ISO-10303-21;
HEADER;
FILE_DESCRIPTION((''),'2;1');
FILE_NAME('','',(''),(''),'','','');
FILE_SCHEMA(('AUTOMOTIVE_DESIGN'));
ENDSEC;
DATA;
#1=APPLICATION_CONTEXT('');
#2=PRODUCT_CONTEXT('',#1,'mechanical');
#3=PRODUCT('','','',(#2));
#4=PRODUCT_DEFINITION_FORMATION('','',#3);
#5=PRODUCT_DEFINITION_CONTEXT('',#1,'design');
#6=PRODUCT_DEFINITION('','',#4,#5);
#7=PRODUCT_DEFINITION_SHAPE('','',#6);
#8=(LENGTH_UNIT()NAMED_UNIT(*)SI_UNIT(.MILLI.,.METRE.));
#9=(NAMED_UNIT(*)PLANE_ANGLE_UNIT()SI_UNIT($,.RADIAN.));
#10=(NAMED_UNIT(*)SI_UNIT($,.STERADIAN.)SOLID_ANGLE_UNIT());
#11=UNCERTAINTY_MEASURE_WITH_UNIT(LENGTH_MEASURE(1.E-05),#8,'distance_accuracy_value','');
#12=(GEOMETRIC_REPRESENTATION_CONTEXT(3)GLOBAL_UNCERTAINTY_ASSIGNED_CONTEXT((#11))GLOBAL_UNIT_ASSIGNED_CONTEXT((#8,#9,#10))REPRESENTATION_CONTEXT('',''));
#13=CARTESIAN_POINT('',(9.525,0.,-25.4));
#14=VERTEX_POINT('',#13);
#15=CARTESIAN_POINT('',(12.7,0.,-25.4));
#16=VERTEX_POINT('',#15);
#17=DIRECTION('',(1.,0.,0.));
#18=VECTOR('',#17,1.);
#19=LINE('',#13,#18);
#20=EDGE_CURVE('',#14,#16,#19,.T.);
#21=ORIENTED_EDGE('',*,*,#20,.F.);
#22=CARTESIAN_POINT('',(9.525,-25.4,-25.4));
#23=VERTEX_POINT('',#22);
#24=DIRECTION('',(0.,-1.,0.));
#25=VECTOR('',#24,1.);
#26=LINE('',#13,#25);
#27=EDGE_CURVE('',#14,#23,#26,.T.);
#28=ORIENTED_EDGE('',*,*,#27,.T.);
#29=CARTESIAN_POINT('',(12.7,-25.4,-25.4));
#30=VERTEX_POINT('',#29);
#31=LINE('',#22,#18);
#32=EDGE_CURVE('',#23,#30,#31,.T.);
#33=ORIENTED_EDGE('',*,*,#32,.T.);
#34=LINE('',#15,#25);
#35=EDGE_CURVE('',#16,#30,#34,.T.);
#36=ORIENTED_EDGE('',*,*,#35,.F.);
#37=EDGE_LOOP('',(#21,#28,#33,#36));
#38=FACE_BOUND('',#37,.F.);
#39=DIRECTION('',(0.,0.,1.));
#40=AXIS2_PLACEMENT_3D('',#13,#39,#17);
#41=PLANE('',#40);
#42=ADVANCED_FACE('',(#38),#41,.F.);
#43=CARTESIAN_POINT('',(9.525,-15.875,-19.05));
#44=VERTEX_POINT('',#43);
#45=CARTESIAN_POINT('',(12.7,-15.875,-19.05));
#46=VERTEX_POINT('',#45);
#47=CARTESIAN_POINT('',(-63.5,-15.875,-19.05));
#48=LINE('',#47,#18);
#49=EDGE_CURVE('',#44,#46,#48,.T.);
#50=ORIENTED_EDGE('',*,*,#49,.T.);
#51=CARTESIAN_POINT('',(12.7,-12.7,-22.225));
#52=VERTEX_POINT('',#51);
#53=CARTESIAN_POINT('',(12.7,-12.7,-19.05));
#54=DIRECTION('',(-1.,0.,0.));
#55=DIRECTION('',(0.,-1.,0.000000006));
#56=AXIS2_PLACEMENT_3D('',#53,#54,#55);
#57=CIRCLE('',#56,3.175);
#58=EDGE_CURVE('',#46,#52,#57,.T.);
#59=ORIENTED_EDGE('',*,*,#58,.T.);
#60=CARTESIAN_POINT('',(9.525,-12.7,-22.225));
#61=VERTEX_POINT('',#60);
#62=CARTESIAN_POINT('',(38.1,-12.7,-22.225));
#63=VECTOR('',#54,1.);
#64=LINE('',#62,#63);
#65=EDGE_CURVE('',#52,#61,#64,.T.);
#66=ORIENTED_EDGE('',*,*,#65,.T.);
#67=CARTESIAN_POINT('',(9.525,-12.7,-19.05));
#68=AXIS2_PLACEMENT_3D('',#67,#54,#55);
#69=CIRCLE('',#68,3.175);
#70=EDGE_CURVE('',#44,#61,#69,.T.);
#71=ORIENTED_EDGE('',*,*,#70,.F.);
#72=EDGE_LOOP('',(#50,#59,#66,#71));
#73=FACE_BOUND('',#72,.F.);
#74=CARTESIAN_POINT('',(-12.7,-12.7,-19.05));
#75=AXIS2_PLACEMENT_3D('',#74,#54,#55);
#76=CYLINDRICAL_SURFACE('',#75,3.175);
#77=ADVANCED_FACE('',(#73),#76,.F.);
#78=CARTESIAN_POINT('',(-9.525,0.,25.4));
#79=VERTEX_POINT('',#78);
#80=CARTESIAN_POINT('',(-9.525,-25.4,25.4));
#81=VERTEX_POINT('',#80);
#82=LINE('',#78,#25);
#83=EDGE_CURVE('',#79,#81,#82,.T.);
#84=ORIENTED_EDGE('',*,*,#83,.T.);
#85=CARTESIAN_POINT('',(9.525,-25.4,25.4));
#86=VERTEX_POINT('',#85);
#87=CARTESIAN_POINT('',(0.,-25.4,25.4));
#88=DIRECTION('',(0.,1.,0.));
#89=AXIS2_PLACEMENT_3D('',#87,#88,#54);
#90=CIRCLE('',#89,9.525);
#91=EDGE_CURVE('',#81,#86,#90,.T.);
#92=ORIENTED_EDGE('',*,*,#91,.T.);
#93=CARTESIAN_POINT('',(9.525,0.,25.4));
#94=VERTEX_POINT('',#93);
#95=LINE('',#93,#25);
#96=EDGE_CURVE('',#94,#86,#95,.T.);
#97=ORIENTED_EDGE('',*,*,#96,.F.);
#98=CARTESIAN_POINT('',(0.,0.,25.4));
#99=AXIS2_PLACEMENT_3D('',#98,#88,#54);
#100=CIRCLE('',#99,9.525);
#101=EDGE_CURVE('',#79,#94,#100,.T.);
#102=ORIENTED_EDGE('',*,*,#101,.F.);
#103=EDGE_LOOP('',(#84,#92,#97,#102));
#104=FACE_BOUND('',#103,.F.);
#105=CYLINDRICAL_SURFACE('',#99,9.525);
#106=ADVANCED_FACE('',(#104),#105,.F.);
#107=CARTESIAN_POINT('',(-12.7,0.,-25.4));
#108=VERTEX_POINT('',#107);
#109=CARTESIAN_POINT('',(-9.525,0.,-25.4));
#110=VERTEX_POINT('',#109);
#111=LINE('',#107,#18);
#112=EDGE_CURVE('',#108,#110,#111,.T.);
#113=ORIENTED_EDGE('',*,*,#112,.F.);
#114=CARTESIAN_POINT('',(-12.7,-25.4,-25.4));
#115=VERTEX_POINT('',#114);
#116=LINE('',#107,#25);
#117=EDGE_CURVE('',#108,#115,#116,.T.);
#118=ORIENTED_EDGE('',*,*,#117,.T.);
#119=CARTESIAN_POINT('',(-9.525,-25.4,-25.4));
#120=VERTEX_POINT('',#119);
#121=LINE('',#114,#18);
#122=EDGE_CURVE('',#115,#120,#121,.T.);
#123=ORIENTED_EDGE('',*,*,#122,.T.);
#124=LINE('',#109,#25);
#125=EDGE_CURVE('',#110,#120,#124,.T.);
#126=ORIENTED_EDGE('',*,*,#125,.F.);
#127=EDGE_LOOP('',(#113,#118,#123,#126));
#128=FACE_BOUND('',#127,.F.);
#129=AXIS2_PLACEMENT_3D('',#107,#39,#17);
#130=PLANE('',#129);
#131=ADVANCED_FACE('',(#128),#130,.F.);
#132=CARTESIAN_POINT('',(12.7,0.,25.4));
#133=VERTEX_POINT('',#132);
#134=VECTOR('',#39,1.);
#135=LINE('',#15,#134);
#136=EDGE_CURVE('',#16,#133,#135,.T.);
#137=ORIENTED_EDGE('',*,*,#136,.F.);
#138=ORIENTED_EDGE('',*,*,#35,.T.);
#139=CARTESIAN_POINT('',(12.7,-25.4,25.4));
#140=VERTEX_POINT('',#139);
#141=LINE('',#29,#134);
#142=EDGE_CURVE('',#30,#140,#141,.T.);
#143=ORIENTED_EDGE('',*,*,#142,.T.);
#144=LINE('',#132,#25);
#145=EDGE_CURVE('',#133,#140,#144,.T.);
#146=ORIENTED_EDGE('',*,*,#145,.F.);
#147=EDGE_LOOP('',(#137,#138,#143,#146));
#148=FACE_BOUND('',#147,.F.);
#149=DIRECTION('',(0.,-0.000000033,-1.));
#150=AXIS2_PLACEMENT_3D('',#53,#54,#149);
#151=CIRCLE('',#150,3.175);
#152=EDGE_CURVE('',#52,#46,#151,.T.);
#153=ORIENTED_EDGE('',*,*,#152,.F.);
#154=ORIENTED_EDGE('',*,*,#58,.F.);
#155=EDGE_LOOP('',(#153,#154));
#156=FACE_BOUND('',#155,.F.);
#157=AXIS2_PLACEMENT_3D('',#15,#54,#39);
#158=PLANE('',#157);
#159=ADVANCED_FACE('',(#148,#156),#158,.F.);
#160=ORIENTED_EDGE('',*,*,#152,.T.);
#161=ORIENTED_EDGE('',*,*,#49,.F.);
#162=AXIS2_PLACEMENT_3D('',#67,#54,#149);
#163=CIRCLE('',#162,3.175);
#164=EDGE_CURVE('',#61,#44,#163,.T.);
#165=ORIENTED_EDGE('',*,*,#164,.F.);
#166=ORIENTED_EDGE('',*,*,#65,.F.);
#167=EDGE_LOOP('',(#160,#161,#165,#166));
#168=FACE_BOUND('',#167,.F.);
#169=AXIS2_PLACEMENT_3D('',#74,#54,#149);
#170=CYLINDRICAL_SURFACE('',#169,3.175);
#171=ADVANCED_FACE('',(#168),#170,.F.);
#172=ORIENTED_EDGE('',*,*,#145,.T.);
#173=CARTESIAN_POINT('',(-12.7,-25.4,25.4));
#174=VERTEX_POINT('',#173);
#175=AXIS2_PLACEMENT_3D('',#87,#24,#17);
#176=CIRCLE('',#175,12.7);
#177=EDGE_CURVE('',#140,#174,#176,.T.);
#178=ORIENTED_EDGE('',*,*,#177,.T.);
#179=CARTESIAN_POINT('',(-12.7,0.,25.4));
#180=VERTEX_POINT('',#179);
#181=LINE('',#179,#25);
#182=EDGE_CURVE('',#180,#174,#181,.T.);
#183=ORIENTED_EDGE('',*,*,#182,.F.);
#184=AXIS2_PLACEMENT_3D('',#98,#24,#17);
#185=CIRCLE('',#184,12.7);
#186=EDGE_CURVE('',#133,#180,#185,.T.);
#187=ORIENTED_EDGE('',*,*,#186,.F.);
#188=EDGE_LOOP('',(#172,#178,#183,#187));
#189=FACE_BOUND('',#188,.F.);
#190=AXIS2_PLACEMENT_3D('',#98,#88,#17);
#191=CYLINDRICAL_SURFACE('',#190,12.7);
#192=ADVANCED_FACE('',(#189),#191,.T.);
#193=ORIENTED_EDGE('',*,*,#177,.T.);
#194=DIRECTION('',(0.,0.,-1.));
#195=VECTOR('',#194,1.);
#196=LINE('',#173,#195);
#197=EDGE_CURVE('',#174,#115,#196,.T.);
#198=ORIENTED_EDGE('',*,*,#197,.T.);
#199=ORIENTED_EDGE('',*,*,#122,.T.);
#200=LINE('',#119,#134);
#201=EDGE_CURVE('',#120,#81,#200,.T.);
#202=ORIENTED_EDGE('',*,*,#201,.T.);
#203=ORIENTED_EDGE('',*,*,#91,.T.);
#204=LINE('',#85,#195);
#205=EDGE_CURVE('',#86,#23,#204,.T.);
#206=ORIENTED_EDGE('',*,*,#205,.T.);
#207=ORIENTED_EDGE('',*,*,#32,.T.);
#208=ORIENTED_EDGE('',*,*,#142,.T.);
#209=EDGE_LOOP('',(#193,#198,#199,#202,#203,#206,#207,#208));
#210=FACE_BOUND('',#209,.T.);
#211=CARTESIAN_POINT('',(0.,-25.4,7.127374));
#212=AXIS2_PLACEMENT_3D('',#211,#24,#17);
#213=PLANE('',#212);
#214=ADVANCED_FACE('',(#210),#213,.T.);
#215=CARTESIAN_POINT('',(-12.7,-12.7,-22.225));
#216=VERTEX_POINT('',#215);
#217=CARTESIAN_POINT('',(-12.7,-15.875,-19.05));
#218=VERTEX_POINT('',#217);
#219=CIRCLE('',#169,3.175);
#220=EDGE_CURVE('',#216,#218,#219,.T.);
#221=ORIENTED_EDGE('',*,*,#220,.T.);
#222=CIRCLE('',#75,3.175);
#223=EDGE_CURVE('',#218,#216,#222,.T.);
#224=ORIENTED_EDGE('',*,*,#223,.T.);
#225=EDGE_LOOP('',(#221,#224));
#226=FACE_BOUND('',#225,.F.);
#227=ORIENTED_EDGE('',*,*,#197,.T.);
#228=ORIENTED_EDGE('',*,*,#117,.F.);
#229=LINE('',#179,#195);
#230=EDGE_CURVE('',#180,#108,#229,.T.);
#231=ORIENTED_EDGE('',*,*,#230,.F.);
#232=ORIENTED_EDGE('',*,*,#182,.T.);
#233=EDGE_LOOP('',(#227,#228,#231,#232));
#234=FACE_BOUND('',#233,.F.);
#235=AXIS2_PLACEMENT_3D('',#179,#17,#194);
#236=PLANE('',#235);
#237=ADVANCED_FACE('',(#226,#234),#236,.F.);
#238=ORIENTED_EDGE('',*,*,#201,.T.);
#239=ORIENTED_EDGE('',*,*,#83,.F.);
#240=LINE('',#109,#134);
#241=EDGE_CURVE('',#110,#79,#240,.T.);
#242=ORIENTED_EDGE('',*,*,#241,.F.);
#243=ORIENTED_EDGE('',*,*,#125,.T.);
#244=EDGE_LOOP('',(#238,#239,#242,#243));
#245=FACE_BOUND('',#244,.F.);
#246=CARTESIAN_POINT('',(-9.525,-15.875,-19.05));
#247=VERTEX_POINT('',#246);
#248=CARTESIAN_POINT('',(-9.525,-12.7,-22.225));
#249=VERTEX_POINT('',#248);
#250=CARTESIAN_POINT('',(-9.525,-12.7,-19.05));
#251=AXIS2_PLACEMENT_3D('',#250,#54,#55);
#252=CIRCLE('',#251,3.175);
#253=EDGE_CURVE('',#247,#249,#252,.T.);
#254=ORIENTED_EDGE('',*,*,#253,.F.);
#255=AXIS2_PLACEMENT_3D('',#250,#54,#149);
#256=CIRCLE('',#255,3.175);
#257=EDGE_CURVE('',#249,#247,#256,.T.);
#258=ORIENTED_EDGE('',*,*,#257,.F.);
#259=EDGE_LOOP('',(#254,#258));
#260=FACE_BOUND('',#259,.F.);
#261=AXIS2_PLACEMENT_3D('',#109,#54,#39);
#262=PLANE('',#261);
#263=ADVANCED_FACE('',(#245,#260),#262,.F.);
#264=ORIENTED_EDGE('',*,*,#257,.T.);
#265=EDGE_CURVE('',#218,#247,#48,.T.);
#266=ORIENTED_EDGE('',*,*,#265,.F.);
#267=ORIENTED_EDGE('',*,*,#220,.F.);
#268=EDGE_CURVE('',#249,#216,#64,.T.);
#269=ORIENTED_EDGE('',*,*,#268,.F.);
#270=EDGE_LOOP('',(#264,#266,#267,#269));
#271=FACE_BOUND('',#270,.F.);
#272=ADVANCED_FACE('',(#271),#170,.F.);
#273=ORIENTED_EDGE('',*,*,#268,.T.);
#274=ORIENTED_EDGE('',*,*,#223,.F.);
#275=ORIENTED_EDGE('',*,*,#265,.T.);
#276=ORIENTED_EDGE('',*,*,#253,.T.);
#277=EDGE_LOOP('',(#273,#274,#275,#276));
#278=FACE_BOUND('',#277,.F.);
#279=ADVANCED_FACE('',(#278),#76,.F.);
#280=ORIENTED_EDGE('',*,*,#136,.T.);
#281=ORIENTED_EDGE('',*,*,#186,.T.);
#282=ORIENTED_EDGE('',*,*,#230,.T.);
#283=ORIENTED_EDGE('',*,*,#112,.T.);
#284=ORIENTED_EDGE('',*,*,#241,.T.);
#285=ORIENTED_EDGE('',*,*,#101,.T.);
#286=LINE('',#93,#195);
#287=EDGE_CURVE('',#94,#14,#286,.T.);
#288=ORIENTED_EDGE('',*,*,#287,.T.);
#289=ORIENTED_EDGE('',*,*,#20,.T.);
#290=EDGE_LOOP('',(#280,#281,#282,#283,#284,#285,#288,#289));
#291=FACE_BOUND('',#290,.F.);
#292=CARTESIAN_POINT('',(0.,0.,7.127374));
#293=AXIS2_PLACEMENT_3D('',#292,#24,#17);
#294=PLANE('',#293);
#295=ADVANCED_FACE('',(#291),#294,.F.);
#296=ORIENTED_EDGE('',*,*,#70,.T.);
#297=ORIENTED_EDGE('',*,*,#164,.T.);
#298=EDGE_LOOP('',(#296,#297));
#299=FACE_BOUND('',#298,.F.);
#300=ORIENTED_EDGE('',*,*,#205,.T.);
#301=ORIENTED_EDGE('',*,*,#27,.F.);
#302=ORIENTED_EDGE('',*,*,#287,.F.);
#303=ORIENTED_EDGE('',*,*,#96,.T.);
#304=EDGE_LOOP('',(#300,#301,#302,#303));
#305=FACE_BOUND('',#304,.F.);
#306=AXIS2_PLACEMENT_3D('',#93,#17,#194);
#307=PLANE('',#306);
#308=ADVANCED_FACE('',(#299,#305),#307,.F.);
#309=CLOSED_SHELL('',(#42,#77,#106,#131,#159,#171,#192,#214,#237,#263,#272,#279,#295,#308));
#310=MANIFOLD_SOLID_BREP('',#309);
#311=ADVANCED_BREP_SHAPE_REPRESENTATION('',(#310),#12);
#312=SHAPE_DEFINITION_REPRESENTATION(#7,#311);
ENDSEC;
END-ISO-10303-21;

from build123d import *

# Parameters (mm, degrees)
F1_DEPTH = 25.4
F3_DEPTH = 50.8


with BuildPart() as f1:
    # F0 (on Front) → F1 (new body)
    with BuildSketch(Plane.XZ):
        with BuildLine():
            ThreePointArc((12.7, 25.4), (0, 38.1), (-12.7, 25.4))
            Line((-12.7, 25.4), (-12.7, -25.4))
            Line((-12.7, -25.4), (-9.525, -25.4))
            Line((-9.525, -25.4), (-9.525, 25.4))
            ThreePointArc((-9.525, 25.4), (0, 34.925), (9.525, 25.4))
            Line((9.525, 25.4), (9.525, -25.4))
            Line((9.525, -25.4), (12.7, -25.4))
            Line((12.7, -25.4), (12.7, 25.4))
        make_face()
    extrude(amount=F1_DEPTH)

    # F2 (on face) → F3 (cut, symmetric)
    with BuildSketch(Plane(origin=(-12.7, 0, 0), x_dir=(0, -1, 0), z_dir=(-1, 0, 0))):
        with BuildLine():
            ThreePointArc((15.875, -19.05), (10.454936, -16.804936), (12.7, -22.225))
            ThreePointArc((12.7, -22.225), (14.945064, -21.295064), (15.875, -19.05))
        make_face()
    extrude(amount=F3_DEPTH, both=True, mode=Mode.SUBTRACT)


solid = f1.part
